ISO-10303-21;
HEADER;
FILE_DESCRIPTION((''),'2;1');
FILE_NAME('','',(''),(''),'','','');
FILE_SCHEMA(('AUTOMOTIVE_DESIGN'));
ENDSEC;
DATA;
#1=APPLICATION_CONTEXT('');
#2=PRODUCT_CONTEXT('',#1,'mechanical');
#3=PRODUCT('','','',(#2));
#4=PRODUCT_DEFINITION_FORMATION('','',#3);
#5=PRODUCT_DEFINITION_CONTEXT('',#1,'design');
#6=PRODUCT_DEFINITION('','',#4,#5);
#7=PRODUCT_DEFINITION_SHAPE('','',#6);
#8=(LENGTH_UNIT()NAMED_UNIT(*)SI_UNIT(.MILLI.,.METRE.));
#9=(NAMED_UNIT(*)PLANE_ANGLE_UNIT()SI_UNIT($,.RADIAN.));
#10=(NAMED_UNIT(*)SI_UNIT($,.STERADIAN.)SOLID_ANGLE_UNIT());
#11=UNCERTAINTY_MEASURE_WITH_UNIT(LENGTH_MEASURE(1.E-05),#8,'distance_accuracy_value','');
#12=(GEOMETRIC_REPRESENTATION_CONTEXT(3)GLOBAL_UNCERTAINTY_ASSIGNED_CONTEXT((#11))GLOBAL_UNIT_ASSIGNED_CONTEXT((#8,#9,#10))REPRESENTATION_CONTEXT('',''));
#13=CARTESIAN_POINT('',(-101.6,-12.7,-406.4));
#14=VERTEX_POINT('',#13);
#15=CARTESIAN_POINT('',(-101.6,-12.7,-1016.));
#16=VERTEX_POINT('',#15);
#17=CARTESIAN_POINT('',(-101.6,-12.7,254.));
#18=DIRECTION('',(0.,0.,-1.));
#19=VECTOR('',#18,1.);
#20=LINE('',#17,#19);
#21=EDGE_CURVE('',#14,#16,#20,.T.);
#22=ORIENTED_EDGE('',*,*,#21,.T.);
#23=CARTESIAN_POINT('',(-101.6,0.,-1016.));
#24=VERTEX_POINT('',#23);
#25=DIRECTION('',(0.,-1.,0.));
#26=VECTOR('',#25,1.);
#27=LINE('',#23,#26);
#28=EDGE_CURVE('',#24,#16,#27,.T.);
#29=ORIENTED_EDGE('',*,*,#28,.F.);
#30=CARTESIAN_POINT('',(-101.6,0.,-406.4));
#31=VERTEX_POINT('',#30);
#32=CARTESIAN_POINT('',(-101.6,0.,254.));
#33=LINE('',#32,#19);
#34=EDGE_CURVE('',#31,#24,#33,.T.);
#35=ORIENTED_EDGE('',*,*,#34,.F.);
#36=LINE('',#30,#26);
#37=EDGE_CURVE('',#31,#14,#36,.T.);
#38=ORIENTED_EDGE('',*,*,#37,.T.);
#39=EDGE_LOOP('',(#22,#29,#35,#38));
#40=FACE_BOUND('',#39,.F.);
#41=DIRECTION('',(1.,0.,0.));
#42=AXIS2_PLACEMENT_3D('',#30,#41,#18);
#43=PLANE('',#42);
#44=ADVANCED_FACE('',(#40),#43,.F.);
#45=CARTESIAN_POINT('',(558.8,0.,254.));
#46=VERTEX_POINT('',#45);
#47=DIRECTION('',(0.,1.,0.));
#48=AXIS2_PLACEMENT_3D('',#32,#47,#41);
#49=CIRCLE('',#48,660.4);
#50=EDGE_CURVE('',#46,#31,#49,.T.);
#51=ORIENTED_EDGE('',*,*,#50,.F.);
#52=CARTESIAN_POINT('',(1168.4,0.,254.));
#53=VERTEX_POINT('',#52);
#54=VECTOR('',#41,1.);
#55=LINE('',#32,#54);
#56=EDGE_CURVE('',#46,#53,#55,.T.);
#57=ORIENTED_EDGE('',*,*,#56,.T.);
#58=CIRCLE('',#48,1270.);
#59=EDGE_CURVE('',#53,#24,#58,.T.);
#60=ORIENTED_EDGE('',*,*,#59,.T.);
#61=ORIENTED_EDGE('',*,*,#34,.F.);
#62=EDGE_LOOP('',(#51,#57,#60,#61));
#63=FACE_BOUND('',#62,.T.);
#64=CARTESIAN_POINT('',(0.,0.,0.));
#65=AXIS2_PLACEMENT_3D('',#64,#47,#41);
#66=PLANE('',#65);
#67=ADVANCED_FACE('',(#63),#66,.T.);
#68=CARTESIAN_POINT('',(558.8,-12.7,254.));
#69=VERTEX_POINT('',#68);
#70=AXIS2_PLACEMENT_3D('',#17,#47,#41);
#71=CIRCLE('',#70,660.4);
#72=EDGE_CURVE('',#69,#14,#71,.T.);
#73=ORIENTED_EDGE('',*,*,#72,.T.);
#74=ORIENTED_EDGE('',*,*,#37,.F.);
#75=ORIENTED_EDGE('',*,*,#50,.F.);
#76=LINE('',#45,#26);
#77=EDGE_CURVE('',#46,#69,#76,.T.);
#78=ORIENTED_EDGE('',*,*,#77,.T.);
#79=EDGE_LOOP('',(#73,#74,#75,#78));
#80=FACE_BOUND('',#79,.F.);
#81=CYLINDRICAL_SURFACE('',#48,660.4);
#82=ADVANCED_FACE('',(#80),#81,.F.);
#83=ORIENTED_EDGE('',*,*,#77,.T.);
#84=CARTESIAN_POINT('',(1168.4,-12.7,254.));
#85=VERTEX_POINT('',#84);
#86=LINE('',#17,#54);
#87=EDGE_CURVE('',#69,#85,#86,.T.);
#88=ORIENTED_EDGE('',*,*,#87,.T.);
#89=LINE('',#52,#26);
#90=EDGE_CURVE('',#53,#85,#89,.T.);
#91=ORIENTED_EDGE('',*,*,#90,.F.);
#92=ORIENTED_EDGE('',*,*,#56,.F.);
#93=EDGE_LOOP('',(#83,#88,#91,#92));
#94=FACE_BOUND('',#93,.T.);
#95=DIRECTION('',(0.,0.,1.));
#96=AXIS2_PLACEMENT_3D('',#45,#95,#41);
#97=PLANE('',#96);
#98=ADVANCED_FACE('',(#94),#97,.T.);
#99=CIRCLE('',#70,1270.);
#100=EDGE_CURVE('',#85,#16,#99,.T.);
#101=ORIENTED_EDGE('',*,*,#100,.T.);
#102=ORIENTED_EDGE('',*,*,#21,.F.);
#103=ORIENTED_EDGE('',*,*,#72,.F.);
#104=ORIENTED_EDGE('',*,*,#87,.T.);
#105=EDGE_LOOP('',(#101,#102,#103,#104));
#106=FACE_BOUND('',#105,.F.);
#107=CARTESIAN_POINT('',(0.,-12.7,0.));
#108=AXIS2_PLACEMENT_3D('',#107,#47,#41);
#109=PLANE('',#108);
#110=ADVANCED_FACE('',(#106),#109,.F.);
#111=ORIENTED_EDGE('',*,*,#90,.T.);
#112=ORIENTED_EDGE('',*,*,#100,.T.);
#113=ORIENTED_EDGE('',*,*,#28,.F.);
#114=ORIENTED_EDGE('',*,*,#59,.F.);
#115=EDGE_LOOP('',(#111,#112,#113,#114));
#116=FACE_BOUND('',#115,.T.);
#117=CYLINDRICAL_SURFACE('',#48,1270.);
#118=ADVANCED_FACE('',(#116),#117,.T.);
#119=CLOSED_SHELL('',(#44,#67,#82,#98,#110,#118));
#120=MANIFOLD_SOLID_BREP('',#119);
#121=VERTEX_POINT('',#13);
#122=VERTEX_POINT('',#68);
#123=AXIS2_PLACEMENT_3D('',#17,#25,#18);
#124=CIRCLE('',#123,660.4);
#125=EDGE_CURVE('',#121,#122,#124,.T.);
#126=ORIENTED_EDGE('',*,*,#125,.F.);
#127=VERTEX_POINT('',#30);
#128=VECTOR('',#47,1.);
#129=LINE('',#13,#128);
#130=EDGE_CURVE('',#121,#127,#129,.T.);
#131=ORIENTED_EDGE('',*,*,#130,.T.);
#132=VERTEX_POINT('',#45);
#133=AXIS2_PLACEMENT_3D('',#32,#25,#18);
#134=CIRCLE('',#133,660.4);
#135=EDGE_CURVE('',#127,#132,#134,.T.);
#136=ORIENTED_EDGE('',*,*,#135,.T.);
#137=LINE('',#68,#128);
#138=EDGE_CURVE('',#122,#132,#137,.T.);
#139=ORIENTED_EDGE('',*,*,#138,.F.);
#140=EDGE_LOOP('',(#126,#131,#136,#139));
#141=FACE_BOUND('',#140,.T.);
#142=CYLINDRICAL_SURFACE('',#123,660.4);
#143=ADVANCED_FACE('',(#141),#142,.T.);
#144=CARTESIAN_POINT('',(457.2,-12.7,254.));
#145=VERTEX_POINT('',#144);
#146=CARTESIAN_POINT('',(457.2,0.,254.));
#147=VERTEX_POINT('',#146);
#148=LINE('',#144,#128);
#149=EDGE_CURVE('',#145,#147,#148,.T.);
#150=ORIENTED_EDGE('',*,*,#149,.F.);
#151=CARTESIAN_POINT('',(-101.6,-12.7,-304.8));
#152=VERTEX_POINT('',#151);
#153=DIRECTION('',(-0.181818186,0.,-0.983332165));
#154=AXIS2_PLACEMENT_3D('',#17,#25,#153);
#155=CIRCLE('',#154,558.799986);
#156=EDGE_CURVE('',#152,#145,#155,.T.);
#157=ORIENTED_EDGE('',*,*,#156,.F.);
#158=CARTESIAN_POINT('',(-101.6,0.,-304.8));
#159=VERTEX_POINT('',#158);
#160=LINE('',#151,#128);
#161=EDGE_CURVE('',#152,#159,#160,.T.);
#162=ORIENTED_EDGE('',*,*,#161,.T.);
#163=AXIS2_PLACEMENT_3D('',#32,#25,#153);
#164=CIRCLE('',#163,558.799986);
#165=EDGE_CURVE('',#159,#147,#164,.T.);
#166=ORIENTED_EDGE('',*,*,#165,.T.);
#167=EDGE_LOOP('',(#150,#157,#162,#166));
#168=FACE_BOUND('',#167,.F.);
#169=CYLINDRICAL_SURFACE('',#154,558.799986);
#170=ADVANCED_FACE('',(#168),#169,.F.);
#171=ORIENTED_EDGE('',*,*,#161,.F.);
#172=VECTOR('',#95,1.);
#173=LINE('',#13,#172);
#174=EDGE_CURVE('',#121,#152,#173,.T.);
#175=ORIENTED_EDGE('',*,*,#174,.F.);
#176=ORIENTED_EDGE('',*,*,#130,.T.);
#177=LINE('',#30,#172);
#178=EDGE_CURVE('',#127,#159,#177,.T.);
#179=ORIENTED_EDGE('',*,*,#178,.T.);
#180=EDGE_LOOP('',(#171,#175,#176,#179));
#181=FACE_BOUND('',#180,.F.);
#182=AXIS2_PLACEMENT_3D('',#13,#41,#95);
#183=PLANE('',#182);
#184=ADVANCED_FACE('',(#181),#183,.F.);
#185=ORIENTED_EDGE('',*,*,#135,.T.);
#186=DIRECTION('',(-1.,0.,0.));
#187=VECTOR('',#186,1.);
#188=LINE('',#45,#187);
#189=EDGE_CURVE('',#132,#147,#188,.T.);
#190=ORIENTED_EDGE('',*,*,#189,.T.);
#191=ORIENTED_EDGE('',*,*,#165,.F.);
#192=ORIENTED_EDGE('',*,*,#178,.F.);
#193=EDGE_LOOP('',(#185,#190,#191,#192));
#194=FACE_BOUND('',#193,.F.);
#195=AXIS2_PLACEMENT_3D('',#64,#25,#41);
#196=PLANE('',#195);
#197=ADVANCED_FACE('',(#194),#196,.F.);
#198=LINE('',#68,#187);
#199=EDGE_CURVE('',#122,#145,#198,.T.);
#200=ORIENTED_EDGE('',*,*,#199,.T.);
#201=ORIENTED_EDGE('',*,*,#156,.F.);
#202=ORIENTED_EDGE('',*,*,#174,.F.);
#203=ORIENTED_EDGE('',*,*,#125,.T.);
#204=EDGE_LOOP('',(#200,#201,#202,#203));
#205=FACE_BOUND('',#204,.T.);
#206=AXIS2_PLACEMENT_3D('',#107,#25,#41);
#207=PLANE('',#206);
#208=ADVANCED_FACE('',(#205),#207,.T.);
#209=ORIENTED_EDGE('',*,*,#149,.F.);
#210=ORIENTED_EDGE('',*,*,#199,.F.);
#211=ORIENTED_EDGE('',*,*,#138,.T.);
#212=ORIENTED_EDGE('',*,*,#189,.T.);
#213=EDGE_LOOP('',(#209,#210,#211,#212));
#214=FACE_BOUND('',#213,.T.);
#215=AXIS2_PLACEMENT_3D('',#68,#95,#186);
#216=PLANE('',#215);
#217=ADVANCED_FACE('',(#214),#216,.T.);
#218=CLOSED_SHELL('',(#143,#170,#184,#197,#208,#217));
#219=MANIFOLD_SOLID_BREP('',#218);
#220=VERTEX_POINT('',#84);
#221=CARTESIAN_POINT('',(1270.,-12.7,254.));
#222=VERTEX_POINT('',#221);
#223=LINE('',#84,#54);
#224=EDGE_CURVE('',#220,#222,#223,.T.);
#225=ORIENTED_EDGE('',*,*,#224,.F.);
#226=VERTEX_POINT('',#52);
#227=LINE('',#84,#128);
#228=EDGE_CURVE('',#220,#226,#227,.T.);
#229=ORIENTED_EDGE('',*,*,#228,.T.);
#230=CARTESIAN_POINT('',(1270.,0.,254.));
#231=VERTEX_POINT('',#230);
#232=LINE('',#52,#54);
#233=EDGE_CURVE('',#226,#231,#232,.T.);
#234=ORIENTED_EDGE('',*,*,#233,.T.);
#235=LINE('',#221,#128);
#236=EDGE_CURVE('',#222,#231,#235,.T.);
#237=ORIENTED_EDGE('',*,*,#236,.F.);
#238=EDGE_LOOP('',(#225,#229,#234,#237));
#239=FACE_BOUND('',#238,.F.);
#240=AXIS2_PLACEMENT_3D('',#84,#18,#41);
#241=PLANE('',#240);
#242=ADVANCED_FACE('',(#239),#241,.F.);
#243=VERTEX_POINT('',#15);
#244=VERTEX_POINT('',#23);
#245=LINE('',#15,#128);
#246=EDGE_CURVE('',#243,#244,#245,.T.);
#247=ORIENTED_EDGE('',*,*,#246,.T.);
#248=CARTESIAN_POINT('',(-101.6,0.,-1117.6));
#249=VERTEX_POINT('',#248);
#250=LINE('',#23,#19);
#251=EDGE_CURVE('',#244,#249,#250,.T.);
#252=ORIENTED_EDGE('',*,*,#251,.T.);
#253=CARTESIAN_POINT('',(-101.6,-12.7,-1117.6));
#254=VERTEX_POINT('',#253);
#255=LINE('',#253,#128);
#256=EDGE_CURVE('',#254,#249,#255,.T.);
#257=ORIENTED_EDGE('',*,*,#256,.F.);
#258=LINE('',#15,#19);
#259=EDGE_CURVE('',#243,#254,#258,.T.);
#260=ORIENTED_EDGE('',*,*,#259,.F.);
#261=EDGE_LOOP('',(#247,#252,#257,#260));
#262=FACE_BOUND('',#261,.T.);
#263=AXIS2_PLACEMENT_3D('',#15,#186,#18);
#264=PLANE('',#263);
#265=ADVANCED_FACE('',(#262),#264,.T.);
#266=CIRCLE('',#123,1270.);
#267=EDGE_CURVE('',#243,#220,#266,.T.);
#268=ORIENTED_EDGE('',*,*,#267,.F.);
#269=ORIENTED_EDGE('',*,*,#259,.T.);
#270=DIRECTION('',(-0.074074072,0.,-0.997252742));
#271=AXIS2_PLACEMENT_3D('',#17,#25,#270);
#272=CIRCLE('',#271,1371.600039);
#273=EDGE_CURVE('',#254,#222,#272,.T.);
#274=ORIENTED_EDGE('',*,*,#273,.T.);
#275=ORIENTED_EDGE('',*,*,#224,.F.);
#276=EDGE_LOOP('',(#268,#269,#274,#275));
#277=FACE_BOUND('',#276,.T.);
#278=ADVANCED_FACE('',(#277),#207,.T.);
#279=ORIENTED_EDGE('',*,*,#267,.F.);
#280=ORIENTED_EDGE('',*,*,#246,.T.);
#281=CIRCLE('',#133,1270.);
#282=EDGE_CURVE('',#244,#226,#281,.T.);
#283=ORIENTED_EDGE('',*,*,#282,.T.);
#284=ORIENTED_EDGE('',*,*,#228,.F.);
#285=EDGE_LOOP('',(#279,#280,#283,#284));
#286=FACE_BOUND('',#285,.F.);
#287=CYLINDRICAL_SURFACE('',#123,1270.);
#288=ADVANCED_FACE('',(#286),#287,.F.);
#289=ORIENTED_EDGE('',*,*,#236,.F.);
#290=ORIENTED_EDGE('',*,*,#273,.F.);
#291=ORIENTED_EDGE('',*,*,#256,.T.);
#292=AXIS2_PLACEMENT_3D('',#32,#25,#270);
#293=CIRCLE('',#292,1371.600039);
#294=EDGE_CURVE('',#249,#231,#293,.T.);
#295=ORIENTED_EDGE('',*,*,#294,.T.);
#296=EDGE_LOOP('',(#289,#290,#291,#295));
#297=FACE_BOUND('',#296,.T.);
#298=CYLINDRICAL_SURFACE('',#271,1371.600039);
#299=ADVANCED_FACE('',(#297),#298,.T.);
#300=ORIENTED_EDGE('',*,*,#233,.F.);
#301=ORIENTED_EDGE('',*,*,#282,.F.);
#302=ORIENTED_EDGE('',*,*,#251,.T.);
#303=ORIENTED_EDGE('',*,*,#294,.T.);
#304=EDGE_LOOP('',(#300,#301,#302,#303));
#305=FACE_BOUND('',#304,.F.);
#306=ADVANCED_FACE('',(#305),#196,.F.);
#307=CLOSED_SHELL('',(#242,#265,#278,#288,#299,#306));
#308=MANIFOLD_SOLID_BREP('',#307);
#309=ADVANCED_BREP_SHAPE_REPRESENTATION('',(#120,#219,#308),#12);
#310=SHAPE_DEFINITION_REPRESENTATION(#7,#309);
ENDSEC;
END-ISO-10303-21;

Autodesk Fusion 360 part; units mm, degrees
sketch "Sketch1" plane through (0, 0, 0) normal (0, 0, 1) x (1, 0, 0)
sketch "Sketch2" plane through (0, 0, 0) normal (0, 1, 0) x (1, 0, 0)
  circle A0 centre (-101.6, -254) radius 660.4
  circle A1 centre (-101.6, -254) radius 1270
  line L0 (-101.6, -254) -> (-101.6, -1524)
  line L1 (-101.6, -254) -> (1168.4, -254)
  line L2 (-101.6, -254) -> (-101.6, 1016)
  dimension "d1" = 1320.8
  dimension "d2" = 609.6
extrude "Extrude1" add sketch "Sketch2" against normal blind 12.7 contours A0 A1 L1 L2 makes body 1
sketch "Sketch3" plane through (0, -12.7, 0) normal (0, -1, 0) x (1, 0, 0)
  arc A0 (-101.6, -1016) -> (1168.4, 254) centre (-101.6, 254) ccw
  line L0 (1168.4, 254) -> (558.8, 254)
  arc A1 (-101.6, -406.4) -> (558.8, 254) centre (-101.6, 254) ccw
  line L1 (-101.6, -406.4) -> (-101.6, -1016)
  line L2 (1266.2319, 355.6) -> (447.886, 355.6)
  arc A2 (-203.2, -295.486) -> (447.886, 355.6) centre (-101.6, 254) ccw
  line L3 (-203.2, -295.486) -> (-203.2, -1113.8319)
  arc A3 (-203.2, -1113.8319) -> (1266.2319, 355.6) centre (-101.6, 254) ccw
  line L4 (-101.6, -1016) -> (-101.6, -1117.6)
  line L5 (-101.6, -406.4) -> (-101.6, -304.8)
  line L6 (558.8, 254) -> (457.2, 254)
  line L7 (1168.4, 254) -> (1270, 254)
  dimension "d5" = -101.6
extrude "Extrude1'" add sketch "Sketch3" against normal blind 12.7 separate body contours A0 A3 L4 L7 | A1 A2 L5 L6 makes body 2 at (-70.2718, -12.7, -370.2927) makes body 3 at (1195.8119, -12.7, -59.1413) in component "Turn"
copy_body "CutPasteBodies1" bodies 1 removing the originals makes body 4 in component "Turn"
component "Turn" placed x (1, 0, 0) y (0, 1, 0) z (0, 0, 1) at (0, 0, 0)
